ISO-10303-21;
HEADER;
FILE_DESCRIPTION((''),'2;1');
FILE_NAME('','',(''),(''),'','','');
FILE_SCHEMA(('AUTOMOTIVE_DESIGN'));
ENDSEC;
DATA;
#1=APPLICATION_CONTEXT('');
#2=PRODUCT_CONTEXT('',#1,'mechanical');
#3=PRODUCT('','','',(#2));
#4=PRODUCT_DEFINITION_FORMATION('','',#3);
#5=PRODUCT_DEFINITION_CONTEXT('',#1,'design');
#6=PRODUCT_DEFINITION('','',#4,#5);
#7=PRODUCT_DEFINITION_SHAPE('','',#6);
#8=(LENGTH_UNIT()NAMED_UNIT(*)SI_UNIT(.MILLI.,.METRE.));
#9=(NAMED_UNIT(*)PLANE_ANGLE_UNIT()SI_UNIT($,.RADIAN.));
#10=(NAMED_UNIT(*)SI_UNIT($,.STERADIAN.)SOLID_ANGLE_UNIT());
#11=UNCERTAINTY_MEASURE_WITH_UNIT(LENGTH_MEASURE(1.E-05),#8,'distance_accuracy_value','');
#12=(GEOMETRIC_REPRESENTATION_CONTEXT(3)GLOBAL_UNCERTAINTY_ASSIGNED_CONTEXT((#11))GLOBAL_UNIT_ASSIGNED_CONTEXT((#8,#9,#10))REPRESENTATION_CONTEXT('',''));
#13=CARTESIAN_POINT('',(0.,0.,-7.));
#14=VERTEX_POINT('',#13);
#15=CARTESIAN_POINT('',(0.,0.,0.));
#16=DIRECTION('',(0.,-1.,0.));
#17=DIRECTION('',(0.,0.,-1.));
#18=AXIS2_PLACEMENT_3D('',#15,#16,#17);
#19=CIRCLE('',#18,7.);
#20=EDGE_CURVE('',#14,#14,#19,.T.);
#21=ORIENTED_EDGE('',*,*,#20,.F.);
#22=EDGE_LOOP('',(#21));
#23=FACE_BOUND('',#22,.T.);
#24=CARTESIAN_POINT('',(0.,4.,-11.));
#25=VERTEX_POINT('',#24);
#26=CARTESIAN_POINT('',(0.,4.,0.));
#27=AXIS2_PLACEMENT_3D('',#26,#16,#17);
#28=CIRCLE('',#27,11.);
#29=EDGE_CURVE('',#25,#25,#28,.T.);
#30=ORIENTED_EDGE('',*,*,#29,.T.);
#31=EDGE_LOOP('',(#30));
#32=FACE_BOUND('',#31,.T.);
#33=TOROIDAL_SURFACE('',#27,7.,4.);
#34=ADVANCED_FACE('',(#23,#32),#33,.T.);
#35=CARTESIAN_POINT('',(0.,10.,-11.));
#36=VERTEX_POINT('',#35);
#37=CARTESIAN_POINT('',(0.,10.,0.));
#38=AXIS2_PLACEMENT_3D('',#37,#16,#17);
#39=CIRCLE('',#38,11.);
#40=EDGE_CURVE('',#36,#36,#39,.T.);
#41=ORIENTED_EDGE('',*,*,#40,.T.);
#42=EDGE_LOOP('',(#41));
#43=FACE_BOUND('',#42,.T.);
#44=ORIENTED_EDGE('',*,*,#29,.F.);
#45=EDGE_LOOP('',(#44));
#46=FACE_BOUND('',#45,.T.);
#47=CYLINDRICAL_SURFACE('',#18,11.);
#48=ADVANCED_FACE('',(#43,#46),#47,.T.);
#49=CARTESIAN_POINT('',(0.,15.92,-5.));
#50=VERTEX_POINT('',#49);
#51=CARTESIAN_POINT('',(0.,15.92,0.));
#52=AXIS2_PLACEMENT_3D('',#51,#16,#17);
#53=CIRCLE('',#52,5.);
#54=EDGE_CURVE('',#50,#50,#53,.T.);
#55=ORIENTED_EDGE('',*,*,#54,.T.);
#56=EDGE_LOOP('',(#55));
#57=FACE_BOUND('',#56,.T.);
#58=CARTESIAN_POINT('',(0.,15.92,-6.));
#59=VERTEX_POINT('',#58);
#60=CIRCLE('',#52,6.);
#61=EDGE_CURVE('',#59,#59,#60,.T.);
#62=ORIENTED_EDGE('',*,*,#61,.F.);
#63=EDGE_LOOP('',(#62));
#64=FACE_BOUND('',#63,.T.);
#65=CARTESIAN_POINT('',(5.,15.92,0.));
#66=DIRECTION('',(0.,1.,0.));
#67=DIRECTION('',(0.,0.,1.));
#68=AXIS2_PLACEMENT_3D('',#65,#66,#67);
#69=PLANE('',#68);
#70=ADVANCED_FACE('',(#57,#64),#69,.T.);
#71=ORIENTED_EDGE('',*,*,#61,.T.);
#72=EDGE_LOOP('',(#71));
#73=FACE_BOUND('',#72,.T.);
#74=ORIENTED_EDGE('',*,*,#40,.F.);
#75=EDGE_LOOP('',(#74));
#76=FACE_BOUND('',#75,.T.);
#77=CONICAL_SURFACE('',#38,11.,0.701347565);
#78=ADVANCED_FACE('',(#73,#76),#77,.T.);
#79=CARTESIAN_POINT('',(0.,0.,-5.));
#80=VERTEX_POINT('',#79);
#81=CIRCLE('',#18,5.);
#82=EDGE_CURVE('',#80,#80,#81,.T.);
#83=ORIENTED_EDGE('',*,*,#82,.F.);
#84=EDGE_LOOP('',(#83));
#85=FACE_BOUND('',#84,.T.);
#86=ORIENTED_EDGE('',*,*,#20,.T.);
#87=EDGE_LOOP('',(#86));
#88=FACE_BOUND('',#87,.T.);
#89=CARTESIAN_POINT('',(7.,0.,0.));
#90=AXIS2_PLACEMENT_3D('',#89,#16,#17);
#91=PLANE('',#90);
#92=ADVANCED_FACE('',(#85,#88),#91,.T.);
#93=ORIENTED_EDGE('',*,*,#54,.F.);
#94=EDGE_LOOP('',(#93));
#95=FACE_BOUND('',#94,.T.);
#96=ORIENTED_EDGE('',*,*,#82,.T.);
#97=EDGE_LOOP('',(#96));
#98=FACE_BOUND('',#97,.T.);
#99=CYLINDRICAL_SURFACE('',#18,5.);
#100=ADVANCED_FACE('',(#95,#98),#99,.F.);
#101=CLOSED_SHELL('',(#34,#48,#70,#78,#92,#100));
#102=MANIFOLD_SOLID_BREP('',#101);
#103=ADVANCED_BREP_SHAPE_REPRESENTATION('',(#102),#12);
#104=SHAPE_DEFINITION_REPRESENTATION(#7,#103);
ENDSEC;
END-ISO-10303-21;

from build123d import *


with BuildPart() as part:
    # Schizzo1 → Rivoluzione1 (revolve)
    with BuildSketch(Plane.XY, mode=Mode.PRIVATE) as rivoluzione1_sk:
        with BuildLine():
            Line((5, 0), (5, 15.92))
            Line((5, 15.92), (6, 15.92))
            Line((6, 15.92), (11, 10))
            Line((11, 10), (11, 4))
            ThreePointArc((11, 4), (9.828427125, 1.171572875), (7, 0))
            Line((7, 0), (5, 0))
        make_face()
    revolve(rivoluzione1_sk.sketch.rotate(Axis((0, 0, 0), (0, 1, 0)), 90), axis=Axis((0, 0, 0), (0, 1, 0)))


solid = part.part
